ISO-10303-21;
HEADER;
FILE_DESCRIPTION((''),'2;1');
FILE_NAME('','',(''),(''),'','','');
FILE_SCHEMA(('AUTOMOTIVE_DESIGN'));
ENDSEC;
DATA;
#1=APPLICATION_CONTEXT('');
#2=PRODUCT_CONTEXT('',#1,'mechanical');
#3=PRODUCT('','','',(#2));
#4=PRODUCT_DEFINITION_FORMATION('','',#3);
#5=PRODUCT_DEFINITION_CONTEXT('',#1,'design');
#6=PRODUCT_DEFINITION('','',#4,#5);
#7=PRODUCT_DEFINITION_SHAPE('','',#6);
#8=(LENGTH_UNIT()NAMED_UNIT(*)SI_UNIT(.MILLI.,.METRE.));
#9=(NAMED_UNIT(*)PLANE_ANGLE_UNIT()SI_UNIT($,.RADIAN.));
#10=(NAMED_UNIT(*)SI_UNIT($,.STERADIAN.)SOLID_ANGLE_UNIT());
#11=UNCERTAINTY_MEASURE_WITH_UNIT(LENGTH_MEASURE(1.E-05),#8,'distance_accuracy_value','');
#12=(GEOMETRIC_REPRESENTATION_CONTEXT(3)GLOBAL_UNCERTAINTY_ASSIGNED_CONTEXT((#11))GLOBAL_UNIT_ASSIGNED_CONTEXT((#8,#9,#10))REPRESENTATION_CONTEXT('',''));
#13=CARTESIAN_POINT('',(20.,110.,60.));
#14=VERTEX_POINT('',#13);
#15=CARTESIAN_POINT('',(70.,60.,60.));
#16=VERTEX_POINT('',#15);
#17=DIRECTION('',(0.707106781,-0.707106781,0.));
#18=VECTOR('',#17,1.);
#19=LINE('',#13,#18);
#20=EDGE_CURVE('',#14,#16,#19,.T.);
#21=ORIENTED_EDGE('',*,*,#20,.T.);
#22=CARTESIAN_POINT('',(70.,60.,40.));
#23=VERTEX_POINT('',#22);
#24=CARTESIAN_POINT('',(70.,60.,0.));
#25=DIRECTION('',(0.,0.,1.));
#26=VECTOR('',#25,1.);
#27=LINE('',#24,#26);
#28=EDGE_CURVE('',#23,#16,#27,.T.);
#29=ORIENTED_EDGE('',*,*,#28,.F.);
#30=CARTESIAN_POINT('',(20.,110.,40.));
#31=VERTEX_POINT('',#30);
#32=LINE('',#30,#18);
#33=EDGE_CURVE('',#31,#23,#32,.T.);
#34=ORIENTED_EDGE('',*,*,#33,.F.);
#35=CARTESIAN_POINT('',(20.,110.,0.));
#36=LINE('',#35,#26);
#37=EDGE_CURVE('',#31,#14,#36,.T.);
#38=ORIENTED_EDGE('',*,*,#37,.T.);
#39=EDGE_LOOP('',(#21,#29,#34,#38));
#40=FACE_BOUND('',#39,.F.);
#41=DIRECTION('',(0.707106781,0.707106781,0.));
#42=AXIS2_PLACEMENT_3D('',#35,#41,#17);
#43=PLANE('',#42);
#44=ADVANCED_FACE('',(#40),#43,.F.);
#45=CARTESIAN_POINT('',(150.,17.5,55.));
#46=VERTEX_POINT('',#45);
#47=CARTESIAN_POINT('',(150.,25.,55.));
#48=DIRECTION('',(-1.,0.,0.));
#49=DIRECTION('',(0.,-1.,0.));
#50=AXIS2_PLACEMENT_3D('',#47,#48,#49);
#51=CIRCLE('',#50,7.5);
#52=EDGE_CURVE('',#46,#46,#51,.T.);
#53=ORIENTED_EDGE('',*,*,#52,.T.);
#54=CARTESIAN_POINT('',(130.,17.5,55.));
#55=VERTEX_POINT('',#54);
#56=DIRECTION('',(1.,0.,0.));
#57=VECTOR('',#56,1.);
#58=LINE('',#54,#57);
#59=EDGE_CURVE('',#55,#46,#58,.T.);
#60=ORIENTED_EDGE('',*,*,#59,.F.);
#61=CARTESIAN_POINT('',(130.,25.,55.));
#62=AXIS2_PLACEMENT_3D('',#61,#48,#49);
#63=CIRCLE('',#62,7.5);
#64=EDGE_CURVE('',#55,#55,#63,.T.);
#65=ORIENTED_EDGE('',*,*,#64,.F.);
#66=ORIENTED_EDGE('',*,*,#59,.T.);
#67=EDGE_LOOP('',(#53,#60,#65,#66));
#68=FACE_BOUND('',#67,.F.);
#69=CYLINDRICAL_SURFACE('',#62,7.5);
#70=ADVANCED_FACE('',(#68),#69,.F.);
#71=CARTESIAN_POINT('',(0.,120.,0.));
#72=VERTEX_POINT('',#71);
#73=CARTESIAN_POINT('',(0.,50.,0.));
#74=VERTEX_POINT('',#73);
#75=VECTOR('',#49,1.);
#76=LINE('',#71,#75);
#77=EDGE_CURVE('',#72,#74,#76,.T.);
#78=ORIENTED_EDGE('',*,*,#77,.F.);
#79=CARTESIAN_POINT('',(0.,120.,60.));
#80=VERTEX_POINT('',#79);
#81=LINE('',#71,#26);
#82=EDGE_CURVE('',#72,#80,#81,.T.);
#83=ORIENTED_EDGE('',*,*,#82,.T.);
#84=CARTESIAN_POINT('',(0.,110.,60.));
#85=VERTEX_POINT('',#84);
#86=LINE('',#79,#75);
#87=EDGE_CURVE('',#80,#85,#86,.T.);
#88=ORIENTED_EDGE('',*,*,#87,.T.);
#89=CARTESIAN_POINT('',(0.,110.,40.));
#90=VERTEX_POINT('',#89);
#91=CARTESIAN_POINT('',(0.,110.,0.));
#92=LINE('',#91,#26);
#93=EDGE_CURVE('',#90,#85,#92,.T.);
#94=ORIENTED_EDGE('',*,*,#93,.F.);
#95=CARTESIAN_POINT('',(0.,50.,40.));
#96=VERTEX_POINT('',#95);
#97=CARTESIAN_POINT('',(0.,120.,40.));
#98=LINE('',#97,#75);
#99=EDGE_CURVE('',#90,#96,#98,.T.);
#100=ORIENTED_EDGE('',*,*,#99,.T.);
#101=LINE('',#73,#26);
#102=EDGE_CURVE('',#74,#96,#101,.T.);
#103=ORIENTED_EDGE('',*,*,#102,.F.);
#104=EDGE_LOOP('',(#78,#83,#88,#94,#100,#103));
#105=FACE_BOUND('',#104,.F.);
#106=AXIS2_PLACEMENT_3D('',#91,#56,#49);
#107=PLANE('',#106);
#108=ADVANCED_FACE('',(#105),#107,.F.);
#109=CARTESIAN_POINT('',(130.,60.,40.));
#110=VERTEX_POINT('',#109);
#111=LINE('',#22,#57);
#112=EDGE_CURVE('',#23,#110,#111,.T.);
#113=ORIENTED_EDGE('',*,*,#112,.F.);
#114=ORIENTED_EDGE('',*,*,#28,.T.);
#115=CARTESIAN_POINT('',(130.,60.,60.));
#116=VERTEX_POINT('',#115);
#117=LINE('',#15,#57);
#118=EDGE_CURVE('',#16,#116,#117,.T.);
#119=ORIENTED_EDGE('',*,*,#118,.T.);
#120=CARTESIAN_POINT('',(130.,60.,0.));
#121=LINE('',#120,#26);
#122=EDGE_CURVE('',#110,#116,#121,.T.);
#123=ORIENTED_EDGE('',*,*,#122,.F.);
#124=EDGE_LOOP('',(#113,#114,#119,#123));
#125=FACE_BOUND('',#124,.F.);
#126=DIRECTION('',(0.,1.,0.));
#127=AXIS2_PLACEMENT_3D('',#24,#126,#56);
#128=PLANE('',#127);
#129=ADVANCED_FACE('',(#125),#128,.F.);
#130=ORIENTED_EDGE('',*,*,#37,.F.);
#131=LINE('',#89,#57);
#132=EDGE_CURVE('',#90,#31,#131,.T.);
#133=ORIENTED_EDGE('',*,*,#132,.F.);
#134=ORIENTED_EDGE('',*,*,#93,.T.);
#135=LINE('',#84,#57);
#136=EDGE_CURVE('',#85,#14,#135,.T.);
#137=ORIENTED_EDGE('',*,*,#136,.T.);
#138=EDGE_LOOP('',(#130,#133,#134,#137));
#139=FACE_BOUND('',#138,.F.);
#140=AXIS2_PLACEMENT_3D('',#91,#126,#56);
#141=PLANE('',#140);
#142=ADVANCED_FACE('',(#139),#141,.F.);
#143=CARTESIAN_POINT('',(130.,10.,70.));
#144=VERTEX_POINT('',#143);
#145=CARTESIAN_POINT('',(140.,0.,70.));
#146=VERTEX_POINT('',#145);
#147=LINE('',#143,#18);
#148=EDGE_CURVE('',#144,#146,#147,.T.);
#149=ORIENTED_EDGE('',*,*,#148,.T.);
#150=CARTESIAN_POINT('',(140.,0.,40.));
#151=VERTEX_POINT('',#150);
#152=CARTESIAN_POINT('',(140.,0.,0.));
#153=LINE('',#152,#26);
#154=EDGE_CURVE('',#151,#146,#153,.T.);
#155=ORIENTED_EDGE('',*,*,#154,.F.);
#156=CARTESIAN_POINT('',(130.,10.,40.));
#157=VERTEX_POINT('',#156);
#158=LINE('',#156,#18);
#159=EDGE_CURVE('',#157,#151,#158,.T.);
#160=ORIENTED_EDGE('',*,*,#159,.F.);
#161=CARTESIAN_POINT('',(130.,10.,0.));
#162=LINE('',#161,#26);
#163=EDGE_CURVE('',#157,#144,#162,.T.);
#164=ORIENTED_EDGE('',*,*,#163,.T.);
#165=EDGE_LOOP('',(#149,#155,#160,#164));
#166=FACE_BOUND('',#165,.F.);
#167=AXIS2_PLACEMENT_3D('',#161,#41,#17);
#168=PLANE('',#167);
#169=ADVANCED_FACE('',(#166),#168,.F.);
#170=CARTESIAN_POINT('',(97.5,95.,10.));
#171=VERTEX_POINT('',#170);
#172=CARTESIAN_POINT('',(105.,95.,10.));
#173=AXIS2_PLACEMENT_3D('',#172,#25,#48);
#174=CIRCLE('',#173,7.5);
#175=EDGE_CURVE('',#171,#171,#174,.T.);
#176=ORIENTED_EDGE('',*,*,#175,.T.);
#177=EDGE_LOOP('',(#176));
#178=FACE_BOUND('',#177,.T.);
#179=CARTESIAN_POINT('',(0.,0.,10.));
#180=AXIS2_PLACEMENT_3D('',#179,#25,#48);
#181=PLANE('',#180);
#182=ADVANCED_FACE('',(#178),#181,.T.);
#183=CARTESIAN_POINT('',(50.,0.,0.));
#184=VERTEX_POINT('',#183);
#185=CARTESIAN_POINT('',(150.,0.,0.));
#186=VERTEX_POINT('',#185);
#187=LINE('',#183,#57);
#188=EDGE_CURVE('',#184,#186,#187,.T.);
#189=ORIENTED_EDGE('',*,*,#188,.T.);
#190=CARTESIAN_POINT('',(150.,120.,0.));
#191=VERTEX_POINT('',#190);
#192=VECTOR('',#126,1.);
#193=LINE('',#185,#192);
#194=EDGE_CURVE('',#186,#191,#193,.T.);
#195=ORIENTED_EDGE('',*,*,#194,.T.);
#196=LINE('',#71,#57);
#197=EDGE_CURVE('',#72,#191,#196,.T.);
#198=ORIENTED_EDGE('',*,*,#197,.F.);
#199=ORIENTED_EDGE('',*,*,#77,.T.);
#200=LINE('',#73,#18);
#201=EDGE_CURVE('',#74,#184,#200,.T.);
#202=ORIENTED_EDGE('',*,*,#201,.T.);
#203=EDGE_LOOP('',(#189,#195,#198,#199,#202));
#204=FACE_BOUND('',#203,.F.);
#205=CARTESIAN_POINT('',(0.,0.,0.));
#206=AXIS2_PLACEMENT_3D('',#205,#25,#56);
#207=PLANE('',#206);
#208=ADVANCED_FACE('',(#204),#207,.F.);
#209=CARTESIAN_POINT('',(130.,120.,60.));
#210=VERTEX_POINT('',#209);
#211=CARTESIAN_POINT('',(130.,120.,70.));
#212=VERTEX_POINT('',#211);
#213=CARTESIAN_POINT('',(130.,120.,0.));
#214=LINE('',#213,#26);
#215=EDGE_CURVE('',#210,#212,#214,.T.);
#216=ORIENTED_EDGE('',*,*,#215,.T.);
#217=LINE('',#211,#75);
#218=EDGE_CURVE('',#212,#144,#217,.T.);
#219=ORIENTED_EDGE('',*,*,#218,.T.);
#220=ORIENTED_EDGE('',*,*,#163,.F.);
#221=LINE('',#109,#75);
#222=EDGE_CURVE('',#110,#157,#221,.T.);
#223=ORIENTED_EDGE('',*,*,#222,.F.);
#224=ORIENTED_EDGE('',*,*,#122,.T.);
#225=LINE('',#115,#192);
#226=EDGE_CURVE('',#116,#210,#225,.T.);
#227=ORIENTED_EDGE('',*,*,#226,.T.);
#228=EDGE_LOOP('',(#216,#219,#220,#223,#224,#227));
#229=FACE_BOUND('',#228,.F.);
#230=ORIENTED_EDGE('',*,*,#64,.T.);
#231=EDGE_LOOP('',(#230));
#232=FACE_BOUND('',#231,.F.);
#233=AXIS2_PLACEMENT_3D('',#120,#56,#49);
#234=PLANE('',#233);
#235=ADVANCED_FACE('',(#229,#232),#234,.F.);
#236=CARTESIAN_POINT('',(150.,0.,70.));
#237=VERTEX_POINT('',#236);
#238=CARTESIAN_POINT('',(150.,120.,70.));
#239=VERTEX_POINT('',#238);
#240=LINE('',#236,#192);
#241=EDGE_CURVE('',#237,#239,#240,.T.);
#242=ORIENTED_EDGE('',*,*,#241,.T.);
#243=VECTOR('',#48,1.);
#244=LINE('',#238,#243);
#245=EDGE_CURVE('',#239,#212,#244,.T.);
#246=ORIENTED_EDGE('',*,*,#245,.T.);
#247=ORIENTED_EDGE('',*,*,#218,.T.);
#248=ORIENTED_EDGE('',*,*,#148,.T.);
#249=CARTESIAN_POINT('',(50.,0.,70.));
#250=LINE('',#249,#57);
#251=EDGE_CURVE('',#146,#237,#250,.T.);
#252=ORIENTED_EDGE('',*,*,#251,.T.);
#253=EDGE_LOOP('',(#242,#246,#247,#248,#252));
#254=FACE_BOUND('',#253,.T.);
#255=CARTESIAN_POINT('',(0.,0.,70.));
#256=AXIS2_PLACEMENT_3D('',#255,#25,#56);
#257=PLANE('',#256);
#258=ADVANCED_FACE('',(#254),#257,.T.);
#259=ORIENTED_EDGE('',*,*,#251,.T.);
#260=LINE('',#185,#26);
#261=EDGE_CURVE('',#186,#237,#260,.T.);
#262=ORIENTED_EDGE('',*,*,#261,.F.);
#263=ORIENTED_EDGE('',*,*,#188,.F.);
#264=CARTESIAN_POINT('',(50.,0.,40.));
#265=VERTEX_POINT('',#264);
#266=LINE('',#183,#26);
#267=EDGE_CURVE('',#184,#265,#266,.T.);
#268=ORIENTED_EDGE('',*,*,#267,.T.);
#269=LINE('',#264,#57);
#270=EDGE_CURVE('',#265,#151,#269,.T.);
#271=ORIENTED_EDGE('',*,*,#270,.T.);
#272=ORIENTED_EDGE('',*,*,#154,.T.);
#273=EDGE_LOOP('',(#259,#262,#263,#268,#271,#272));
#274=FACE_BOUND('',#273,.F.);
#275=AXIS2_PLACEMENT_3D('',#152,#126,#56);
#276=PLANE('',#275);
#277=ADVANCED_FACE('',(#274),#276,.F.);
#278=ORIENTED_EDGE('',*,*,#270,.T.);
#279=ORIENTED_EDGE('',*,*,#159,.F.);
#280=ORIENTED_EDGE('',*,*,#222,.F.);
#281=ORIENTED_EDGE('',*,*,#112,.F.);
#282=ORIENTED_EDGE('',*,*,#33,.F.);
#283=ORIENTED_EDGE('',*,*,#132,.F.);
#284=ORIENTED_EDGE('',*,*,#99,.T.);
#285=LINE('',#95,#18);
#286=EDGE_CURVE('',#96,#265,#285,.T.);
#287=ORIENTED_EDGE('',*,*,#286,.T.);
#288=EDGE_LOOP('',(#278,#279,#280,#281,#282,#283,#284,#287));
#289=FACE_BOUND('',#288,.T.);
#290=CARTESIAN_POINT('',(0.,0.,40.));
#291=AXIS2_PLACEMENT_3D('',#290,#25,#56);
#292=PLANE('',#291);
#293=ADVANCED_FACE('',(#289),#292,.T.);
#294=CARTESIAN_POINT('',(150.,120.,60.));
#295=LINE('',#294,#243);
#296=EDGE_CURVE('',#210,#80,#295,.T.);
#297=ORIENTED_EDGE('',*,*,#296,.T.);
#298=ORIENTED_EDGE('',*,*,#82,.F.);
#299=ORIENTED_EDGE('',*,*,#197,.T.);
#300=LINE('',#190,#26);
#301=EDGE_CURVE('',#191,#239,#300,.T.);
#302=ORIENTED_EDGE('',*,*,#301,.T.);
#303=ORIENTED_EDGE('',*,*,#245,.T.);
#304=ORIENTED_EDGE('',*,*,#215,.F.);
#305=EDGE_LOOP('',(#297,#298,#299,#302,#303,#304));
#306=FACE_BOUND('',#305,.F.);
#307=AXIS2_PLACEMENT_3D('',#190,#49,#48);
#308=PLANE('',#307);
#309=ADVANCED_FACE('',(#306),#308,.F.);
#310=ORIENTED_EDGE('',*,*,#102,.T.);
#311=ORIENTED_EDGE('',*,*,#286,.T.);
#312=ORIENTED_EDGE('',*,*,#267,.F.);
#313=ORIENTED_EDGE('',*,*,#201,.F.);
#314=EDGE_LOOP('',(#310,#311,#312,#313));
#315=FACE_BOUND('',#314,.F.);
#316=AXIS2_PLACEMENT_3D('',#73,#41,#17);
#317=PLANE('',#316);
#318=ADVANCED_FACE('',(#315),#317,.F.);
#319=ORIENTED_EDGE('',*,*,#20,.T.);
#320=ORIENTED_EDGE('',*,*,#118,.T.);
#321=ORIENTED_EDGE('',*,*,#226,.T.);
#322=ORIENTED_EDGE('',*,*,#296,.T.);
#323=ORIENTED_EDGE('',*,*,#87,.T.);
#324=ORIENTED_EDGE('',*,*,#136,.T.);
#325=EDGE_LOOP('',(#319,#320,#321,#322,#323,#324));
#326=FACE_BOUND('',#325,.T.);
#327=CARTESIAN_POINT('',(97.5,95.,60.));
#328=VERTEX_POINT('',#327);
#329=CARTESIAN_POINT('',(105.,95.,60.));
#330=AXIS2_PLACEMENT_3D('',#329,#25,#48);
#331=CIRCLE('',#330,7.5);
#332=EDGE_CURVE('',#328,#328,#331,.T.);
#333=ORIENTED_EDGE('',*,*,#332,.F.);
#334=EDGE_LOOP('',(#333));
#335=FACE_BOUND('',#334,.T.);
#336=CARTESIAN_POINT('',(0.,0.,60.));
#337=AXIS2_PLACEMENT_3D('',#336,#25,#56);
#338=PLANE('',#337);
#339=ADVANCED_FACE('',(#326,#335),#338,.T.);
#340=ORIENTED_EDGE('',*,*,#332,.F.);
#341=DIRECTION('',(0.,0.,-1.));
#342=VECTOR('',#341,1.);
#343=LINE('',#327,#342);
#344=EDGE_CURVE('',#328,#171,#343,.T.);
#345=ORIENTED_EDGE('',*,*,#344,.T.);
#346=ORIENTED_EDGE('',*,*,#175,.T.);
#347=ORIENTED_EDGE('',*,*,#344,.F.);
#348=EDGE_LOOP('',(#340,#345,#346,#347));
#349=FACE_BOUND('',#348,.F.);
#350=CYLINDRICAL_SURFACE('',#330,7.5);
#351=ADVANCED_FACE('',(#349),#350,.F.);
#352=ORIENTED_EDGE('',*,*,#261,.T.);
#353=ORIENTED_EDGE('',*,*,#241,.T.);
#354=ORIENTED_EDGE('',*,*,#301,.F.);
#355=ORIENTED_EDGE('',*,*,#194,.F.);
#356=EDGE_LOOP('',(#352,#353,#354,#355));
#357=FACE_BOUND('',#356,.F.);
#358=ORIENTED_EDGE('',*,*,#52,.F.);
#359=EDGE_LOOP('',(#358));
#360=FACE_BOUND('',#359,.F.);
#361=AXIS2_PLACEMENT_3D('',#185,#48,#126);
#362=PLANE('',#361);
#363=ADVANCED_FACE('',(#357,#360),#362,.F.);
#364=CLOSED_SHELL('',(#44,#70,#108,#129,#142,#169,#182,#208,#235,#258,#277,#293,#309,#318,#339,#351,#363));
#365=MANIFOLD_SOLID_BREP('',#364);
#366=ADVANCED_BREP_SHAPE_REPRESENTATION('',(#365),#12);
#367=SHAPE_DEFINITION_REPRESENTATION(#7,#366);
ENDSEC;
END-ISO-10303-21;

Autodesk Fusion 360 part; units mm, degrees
sketch "Sketch1" plane through (0, 0, 0) normal (0, 0, 1) x (1, 0, 0)
  line L0 (50, 0) -> (150, 0)
  line L1 (150, 0) -> (150, 120)
  line L2 (150, 120) -> (0, 120)
  line L3 (0, 120) -> (0, 50)
  line L4 (0, 50) -> (50, 0)
  line L5 (0, 50) -> (0, 0)
  line L6 (0, 0) -> (50, 0)
  line L7 (0, 110) -> (20, 110)
  line L8 (20, 110) -> (70, 60)
  line L9 (70, 60) -> (130, 60)
  line L10 (130, 60) -> (130, 120)
  line L11 (130, 60) -> (130, 10)
  line L12 (130, 10) -> (140, 0)
  dimension "d2" = 120
  dimension "d3" = 50
  dimension "d4" = 135
  dimension "d5" = 10
  dimension "d6" = 10
  dimension "d7" = 10
  dimension "d8" = 60
  dimension "d9" = 135
  dimension "d10" = 20
  dimension "d17" = 60
extrude "Extrude1" add sketch "Sketch1" along normal blind 40 contours L0 L3 L4 L7 L8 L9 L11 L12
extrude "Extrude2" add sketch "Sketch1" along normal blind 60 contours L2 L3 L7 L8 L9 L10
extrude "Extrude3" add sketch "Sketch1" along normal blind 70 contours L0 L1 L2 L10 L11 L12
sketch "Sketch2" plane through (0, 0, 60) normal (0, 0, 1) x (-1, 0, 0)
  line L0 (-130, -60) -> (-130, -120)
  line L1 (-130, -120) -> (0, -120)
  line L2 (0, -120) -> (0, -110)
  line L3 (0, -110) -> (-20, -110)
  line L4 (-20, -110) -> (-70, -60)
  line L5 (-70, -60) -> (-130, -60)
  circle A0 centre (-105, -95) radius 7.5
  dimension "d23" = 15
  dimension "d24" = 25
  dimension "d25" = 25
sketch "Sketch3" plane through (130, 0, 0) normal (-1, 0, 0) x (0, -1, 0)
  line L0 (-60, 40) -> (-10, 40)
  line L1 (-10, 40) -> (-10, 70)
  line L2 (-10, 70) -> (-120, 70)
  line L3 (-60, 60) -> (-60, 40)
  circle A0 centre (-25, 55) radius 7.5
  line L4 (-120, 70) -> (-120, 60)
  line L5 (-120, 60) -> (-60, 60)
  dimension "d26" = 15
  dimension "d27" = 15
  dimension "d28" = 15
extrude "Extrude4" cut sketch "Sketch3" against normal blind 30 contours A0
extrude "Extrude5" cut sketch "Sketch2" against normal blind 50 contours A0
